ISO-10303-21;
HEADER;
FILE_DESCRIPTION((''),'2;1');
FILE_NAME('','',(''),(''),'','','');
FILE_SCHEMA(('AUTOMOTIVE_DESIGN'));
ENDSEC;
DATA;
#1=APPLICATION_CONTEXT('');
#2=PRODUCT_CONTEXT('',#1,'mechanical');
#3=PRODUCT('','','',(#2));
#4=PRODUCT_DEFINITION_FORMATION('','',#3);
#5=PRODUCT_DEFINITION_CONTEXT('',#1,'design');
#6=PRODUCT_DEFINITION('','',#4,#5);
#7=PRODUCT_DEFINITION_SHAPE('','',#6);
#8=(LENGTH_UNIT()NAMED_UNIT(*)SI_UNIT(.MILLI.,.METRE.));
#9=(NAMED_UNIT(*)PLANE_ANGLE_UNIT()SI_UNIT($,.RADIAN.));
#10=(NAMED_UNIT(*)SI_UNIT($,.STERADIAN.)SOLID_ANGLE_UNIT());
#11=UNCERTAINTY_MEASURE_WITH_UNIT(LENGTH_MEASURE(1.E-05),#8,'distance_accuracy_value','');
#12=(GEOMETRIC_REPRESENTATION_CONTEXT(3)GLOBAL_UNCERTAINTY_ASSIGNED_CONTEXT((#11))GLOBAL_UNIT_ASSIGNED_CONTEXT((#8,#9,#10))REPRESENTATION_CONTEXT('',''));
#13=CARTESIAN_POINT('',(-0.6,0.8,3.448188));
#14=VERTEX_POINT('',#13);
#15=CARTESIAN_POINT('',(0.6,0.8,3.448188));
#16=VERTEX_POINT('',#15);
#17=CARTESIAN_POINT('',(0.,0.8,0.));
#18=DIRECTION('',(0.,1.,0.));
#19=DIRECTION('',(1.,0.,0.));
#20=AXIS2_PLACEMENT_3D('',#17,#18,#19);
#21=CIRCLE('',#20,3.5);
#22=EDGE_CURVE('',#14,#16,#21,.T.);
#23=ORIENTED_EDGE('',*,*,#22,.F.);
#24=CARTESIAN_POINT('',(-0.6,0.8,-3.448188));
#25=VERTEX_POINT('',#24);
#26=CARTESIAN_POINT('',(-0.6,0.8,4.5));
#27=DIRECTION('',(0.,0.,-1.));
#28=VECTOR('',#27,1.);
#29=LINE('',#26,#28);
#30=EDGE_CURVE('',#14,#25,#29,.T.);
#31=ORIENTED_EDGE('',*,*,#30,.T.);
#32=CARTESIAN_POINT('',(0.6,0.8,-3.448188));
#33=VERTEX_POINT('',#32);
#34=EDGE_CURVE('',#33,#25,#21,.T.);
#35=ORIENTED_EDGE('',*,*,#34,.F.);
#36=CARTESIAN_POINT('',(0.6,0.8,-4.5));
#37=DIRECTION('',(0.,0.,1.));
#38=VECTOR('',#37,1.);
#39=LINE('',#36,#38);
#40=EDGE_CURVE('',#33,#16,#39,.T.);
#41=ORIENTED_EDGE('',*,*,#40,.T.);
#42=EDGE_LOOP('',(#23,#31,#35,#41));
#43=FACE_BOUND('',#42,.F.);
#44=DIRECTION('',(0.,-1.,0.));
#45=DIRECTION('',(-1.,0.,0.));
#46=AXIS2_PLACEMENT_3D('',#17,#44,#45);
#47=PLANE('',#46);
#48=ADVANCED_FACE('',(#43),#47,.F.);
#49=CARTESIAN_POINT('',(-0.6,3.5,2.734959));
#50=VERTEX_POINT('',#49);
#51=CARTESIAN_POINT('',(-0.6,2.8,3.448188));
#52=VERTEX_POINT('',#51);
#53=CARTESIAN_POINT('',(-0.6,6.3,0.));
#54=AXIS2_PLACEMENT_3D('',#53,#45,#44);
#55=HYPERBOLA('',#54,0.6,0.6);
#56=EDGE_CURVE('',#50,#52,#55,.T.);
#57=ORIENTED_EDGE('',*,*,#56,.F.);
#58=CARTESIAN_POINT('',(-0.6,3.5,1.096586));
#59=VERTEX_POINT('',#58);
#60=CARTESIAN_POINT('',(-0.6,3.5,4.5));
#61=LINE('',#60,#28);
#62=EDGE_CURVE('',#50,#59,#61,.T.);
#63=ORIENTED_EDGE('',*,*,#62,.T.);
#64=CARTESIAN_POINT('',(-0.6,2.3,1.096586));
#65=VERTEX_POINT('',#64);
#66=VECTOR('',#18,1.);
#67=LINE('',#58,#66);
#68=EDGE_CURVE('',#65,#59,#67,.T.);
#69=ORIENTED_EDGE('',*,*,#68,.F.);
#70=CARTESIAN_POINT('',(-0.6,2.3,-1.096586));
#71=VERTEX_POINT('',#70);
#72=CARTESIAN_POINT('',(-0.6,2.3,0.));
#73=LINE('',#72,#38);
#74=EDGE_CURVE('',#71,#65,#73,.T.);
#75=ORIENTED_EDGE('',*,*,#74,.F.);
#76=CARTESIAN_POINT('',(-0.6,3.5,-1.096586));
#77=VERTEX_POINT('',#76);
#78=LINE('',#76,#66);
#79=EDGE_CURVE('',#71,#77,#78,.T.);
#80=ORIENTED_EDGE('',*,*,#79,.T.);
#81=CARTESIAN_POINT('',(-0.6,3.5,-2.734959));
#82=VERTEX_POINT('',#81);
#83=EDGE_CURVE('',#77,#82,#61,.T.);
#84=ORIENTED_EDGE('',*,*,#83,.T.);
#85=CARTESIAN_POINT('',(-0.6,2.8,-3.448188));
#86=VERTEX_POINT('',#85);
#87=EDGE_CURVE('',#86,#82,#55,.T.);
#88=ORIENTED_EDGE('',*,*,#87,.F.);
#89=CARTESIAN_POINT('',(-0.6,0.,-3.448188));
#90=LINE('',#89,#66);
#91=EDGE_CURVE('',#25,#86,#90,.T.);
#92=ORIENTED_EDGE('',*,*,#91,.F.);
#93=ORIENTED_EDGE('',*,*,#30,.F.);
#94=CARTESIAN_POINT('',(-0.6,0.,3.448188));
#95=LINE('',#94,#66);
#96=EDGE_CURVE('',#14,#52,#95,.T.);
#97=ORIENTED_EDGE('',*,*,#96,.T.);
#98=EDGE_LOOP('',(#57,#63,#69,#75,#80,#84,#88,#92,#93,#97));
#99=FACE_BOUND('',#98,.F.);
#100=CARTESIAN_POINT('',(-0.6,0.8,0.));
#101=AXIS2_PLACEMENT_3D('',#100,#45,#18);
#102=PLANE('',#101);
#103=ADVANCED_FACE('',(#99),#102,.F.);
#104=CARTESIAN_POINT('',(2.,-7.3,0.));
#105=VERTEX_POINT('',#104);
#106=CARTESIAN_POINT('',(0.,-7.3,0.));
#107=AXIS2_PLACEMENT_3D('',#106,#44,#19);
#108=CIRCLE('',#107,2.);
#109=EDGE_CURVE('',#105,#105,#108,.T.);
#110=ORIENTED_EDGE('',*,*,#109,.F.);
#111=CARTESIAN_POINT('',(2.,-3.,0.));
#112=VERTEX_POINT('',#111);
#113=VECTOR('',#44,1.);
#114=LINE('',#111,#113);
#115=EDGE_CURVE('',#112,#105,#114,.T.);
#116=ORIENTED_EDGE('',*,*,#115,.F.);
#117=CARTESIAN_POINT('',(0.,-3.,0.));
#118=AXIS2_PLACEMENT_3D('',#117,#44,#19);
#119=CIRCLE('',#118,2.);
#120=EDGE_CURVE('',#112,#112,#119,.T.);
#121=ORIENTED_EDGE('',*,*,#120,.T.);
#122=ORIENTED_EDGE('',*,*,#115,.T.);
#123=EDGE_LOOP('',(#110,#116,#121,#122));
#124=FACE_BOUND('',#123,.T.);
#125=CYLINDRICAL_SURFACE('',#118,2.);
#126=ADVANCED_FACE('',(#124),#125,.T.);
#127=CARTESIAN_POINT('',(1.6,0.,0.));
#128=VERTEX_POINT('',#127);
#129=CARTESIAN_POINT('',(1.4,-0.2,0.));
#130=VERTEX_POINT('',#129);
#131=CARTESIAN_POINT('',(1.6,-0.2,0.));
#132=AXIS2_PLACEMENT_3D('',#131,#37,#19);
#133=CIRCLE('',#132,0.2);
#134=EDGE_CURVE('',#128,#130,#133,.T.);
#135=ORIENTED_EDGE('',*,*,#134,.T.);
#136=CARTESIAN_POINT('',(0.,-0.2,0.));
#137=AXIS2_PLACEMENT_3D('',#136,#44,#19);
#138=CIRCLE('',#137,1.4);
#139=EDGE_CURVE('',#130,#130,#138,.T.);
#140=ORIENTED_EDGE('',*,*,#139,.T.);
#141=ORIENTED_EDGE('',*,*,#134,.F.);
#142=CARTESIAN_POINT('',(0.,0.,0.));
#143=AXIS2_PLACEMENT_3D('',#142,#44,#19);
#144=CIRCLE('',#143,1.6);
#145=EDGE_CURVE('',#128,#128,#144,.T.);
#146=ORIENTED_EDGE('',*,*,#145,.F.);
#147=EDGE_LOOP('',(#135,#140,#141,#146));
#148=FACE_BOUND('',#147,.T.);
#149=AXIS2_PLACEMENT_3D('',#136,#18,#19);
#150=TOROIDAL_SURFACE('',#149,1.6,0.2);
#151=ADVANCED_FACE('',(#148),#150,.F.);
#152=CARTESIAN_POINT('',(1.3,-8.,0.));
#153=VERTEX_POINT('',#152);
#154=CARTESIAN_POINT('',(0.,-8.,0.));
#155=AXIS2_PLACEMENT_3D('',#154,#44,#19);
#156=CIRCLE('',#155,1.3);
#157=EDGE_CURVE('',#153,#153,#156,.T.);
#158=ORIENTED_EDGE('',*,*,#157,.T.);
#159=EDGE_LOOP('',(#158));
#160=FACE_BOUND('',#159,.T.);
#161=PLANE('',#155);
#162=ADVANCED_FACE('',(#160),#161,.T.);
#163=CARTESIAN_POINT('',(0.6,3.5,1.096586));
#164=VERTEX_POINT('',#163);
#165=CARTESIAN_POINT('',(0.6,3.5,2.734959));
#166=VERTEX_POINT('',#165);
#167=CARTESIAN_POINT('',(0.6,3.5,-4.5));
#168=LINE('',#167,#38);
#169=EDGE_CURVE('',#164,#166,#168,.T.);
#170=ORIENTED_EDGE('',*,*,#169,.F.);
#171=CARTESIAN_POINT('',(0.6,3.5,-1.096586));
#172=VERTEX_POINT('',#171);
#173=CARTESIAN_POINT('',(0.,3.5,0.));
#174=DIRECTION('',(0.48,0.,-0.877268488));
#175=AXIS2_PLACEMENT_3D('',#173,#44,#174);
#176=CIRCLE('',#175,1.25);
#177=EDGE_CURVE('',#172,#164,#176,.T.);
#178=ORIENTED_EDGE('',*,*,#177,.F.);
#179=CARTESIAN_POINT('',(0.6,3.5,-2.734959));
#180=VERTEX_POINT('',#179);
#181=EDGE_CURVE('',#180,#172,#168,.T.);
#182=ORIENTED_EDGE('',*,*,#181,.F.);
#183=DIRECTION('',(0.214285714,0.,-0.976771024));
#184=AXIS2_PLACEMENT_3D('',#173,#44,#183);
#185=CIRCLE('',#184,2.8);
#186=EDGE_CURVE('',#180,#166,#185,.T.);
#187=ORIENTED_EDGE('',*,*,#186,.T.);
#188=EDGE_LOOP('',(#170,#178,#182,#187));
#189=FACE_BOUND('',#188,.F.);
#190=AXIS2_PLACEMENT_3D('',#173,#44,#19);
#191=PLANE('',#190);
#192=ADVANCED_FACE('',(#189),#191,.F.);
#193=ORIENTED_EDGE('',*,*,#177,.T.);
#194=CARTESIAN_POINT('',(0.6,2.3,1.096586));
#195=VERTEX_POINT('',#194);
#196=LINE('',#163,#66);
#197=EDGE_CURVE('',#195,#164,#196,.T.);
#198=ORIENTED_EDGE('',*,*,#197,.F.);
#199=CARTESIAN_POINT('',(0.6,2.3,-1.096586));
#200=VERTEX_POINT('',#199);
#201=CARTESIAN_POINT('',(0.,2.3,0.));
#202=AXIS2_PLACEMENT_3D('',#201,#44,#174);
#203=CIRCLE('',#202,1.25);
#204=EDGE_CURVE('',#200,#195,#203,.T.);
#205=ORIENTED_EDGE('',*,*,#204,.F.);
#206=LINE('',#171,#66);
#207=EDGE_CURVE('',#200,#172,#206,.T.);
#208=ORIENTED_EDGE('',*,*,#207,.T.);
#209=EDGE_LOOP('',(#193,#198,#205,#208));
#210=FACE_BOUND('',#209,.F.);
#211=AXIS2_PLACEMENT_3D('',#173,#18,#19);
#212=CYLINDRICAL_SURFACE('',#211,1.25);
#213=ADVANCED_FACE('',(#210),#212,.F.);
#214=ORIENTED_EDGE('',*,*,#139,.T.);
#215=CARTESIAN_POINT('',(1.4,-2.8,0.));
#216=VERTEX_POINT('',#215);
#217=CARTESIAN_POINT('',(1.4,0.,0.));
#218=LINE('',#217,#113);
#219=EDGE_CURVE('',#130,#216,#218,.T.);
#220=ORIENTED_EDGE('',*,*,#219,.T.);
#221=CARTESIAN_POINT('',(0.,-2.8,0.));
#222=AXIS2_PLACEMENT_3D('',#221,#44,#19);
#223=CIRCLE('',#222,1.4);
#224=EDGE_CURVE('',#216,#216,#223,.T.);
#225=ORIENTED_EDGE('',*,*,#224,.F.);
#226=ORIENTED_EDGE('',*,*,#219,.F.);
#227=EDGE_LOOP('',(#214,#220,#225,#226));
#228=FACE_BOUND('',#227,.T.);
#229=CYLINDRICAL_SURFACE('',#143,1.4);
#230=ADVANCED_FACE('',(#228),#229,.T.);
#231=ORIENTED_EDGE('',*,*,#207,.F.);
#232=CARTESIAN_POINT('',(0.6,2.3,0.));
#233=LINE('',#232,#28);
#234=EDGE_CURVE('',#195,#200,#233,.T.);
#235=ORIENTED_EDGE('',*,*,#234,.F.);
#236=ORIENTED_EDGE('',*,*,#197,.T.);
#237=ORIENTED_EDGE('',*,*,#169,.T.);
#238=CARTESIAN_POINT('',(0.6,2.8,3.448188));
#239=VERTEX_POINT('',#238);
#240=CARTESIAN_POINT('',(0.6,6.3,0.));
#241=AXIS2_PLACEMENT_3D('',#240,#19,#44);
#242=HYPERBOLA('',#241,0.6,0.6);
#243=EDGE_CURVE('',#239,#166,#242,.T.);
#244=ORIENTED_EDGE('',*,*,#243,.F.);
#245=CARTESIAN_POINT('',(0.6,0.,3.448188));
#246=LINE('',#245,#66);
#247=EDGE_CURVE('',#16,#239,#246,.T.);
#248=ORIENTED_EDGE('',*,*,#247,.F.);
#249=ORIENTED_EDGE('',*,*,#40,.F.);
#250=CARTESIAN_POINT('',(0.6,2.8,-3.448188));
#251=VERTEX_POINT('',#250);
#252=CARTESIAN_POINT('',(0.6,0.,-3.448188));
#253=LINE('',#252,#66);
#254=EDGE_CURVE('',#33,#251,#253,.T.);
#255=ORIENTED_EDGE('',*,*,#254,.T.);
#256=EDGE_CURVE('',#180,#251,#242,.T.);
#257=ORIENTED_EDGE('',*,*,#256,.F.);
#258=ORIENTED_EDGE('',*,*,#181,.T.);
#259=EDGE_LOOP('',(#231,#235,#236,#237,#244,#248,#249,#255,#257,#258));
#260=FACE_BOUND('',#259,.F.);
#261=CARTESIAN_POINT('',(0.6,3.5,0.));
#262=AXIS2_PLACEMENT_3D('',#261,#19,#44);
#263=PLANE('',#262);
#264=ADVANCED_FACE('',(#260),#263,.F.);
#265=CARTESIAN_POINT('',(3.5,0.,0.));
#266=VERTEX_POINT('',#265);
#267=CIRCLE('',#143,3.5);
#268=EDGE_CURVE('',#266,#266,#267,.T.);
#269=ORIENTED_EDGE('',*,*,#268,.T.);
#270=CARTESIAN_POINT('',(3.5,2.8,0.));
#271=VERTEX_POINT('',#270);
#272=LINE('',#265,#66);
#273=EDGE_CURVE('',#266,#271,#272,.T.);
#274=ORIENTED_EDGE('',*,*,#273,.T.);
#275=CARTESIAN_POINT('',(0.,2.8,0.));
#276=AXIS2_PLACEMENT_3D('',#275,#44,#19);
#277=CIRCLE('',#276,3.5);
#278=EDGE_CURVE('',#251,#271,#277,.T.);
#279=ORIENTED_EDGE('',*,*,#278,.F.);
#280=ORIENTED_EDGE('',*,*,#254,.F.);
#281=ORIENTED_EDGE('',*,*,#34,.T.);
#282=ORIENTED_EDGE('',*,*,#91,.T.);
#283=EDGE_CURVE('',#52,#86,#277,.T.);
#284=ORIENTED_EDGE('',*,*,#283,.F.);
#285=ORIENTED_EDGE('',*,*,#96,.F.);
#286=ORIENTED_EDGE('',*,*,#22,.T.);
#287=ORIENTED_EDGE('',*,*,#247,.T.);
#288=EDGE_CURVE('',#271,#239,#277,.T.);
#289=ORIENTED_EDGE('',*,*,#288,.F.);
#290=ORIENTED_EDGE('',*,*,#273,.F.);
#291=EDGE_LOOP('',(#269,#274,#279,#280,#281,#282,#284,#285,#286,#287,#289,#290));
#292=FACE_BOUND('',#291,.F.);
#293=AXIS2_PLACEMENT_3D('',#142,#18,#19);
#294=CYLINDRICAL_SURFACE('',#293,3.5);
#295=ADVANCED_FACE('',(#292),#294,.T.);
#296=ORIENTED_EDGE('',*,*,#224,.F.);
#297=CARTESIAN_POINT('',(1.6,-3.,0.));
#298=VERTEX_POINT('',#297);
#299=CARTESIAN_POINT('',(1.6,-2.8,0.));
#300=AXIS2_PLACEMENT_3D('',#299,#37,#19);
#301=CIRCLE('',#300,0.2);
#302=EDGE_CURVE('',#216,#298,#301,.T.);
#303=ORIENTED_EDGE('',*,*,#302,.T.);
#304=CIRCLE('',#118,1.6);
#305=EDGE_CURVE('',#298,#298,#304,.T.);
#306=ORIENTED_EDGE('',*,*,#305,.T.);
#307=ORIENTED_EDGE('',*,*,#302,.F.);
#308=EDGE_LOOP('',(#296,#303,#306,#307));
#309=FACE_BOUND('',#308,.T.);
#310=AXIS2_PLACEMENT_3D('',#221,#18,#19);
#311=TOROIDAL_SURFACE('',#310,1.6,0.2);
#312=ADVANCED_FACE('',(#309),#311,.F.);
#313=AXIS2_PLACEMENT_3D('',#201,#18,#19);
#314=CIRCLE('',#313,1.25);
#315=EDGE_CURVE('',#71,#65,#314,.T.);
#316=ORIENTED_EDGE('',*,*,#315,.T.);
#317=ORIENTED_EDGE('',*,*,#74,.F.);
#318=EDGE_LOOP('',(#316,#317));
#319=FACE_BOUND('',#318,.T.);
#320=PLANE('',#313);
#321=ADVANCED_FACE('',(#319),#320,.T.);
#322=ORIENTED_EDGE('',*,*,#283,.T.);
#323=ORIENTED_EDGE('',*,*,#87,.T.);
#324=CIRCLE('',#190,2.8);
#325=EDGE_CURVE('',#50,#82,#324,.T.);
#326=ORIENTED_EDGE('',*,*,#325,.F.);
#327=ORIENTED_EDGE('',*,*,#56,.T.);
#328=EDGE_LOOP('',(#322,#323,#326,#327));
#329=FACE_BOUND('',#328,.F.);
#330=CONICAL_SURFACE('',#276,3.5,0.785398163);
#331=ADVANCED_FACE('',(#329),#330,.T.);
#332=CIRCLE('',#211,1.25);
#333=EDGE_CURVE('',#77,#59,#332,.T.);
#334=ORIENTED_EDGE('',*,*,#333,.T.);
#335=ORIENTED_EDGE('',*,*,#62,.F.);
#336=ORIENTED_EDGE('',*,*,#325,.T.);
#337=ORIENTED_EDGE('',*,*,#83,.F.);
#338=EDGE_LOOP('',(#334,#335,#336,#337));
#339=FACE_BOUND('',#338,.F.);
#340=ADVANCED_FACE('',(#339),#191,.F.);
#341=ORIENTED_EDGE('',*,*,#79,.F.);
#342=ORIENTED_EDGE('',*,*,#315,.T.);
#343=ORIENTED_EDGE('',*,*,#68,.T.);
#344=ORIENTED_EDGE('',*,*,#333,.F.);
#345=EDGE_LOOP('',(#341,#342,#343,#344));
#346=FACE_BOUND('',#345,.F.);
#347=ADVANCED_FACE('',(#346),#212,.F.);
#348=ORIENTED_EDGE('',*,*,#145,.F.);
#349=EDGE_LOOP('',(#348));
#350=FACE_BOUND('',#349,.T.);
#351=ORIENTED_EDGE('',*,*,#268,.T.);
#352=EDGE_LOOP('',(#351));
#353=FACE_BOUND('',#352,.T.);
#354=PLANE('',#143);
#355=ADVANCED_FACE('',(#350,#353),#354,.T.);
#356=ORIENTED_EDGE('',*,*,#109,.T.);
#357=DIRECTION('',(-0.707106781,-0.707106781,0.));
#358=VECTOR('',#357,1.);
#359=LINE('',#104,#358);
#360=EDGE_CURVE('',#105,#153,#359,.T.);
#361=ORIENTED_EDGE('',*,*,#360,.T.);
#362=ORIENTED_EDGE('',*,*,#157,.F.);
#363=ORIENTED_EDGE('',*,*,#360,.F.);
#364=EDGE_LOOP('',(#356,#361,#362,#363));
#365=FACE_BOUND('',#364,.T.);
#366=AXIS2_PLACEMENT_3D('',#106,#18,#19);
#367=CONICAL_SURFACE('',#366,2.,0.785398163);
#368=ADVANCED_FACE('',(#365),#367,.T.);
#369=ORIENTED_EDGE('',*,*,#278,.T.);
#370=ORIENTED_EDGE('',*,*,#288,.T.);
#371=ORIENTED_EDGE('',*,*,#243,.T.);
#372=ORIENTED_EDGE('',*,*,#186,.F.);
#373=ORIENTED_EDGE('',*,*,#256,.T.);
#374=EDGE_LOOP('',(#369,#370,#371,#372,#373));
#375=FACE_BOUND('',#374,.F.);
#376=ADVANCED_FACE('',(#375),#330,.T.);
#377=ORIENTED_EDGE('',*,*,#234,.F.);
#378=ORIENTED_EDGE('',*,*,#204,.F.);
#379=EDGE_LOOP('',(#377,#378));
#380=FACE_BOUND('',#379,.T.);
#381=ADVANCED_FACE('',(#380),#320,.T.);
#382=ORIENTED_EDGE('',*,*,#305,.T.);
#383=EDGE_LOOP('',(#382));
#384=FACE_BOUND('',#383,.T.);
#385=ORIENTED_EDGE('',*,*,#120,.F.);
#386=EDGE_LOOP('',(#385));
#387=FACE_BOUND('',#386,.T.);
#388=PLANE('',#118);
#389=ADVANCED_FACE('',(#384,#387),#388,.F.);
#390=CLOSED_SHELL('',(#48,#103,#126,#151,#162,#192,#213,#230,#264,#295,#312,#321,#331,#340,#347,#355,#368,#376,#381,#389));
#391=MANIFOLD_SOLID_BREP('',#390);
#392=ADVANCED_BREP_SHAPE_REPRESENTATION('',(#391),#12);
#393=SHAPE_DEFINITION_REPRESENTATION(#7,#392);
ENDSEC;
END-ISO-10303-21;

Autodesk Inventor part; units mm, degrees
ref_plane "YZ Plane" through (0, 0, 0) normal (1, 0, 0) x (0, 1, 0)
ref_plane "XZ Plane" through (0, 0, 0) normal (0, 1, 0) x (-1, 0, 0)
ref_plane "XY Plane" through (0, 0, 0) normal (0, 0, 1) x (1, 0, 0)
sketch "Sketch1" plane through (0, 0, 0) normal (0, 0, 1) x (1, 0, 0)
  line L0 (3.5, 0) -> (3.5, 3.5)
  line L1 (3.5, 3.5) -> (0, 3.5)
  line L2 (3.5, 0) -> (1.4, 0)
  line L3 (1.4, 0) -> (1.4, -3)
  line L4 (1.4, -3) -> (2, -3)
  line L5 (2, -3) -> (2, -8)
  line L6 (2, -8) -> (0, -8)
  line L7 (0, 3.5) -> (0, -8)
  point P0 (0, 0)
  dimension "d0" = 7
  dimension "d2" = 2.8
  dimension "d3" = 4
  dimension "d4" = 3.5
  dimension "d5" = 5
  dimension "d6" = 8
revolve "Вращение1" add sketch "Sketch1" angle 360 about axis through (0, 3.5, 0) along (0, -1, 0)
sketch "Sketch2" plane through (0, 3.5, 0) normal (0, 1, 0) x (1, 0, 0)
  circle A0 centre (0, 0) radius 3.5 construction
  circle A1 centre (0, 0) radius 1.25
  dimension "d31" = 2.5
extrude "Выдавливание1" cut sketch "Sketch2" against normal blind 1.2
chamfer "Фаска1" distance 0.7 angle 45 1 edges at (-3.5, 3.5, 0)
sketch "Sketch3" plane through (0, 0, 0) normal (0, 0, 1) x (1, 0, 0)
  line L0 (0, 0) -> (0, 3.5)
  line L1 (-2.3552, 0) -> (2.3552, 0) construction
  line L2 (-3.5, 3.5) -> (3.5, 3.5) construction
  line L3 (-0.6, 3.5) -> (0.6, 3.5)
  line L4 (0.6, 3.5) -> (0.6, 0.8)
  line L5 (0.6, 0.8) -> (-0.6, 0.8)
  line L6 (-0.6, 0.8) -> (-0.6, 3.5)
  dimension "d8" = 0.8
  dimension "d9" = 1.2
extrude "Выдавливание2" cut sketch "Sketch3" along normal through all both and the other way through all
fillet "Сопряжение1" radius 0.2 2 edges at (-1.4, 0, 0) (-1.4, -3, 0)
thread "Резьба1" size "M4x0.7" class "6g" standard "ISO Metric profile" length 5
chamfer "Фаска2" distance 0.7 angle 45 1 edges at (-2, -8, 0)
equation "\"d31\" = d3_"
equation "\"d32\" = h3"
equation "\"d21\" = C1"
equation "\"d8\" = h2"
equation "\"d9\" = n"
equation "\"d12\" = R"
equation "\"d13\" = b"
equation "\"d15\" = C1"
equation "\"d0\" = D"
equation "\"d2\" = d1"
equation "\"d3\" = d_"
equation "\"d4\" = k1"
equation "\"d5\" = b"
equation "\"d6\" = l_"
equation "\"D\" = 7"
equation "\"d_\" = 4"
equation "\"l_\" = 8"
equation "\"b\" = 5"
equation "\"d1\" = 2.8"
equation "\"R\" = 0.2"
equation "\"C1\" = 0.7"
equation "\"h2\" = 0.8"
equation "\"n\" = 1.2"
equation "\"h3\" = 1.2"
equation "\"k1\" = 3.5"
equation "\"d3_\" = 2.5"
equation "\"G\" = l_ - b"
properties part number "Винт 3 M4-6gx8 ГОСТ 10336-80" material "Сталь, мягкая"
